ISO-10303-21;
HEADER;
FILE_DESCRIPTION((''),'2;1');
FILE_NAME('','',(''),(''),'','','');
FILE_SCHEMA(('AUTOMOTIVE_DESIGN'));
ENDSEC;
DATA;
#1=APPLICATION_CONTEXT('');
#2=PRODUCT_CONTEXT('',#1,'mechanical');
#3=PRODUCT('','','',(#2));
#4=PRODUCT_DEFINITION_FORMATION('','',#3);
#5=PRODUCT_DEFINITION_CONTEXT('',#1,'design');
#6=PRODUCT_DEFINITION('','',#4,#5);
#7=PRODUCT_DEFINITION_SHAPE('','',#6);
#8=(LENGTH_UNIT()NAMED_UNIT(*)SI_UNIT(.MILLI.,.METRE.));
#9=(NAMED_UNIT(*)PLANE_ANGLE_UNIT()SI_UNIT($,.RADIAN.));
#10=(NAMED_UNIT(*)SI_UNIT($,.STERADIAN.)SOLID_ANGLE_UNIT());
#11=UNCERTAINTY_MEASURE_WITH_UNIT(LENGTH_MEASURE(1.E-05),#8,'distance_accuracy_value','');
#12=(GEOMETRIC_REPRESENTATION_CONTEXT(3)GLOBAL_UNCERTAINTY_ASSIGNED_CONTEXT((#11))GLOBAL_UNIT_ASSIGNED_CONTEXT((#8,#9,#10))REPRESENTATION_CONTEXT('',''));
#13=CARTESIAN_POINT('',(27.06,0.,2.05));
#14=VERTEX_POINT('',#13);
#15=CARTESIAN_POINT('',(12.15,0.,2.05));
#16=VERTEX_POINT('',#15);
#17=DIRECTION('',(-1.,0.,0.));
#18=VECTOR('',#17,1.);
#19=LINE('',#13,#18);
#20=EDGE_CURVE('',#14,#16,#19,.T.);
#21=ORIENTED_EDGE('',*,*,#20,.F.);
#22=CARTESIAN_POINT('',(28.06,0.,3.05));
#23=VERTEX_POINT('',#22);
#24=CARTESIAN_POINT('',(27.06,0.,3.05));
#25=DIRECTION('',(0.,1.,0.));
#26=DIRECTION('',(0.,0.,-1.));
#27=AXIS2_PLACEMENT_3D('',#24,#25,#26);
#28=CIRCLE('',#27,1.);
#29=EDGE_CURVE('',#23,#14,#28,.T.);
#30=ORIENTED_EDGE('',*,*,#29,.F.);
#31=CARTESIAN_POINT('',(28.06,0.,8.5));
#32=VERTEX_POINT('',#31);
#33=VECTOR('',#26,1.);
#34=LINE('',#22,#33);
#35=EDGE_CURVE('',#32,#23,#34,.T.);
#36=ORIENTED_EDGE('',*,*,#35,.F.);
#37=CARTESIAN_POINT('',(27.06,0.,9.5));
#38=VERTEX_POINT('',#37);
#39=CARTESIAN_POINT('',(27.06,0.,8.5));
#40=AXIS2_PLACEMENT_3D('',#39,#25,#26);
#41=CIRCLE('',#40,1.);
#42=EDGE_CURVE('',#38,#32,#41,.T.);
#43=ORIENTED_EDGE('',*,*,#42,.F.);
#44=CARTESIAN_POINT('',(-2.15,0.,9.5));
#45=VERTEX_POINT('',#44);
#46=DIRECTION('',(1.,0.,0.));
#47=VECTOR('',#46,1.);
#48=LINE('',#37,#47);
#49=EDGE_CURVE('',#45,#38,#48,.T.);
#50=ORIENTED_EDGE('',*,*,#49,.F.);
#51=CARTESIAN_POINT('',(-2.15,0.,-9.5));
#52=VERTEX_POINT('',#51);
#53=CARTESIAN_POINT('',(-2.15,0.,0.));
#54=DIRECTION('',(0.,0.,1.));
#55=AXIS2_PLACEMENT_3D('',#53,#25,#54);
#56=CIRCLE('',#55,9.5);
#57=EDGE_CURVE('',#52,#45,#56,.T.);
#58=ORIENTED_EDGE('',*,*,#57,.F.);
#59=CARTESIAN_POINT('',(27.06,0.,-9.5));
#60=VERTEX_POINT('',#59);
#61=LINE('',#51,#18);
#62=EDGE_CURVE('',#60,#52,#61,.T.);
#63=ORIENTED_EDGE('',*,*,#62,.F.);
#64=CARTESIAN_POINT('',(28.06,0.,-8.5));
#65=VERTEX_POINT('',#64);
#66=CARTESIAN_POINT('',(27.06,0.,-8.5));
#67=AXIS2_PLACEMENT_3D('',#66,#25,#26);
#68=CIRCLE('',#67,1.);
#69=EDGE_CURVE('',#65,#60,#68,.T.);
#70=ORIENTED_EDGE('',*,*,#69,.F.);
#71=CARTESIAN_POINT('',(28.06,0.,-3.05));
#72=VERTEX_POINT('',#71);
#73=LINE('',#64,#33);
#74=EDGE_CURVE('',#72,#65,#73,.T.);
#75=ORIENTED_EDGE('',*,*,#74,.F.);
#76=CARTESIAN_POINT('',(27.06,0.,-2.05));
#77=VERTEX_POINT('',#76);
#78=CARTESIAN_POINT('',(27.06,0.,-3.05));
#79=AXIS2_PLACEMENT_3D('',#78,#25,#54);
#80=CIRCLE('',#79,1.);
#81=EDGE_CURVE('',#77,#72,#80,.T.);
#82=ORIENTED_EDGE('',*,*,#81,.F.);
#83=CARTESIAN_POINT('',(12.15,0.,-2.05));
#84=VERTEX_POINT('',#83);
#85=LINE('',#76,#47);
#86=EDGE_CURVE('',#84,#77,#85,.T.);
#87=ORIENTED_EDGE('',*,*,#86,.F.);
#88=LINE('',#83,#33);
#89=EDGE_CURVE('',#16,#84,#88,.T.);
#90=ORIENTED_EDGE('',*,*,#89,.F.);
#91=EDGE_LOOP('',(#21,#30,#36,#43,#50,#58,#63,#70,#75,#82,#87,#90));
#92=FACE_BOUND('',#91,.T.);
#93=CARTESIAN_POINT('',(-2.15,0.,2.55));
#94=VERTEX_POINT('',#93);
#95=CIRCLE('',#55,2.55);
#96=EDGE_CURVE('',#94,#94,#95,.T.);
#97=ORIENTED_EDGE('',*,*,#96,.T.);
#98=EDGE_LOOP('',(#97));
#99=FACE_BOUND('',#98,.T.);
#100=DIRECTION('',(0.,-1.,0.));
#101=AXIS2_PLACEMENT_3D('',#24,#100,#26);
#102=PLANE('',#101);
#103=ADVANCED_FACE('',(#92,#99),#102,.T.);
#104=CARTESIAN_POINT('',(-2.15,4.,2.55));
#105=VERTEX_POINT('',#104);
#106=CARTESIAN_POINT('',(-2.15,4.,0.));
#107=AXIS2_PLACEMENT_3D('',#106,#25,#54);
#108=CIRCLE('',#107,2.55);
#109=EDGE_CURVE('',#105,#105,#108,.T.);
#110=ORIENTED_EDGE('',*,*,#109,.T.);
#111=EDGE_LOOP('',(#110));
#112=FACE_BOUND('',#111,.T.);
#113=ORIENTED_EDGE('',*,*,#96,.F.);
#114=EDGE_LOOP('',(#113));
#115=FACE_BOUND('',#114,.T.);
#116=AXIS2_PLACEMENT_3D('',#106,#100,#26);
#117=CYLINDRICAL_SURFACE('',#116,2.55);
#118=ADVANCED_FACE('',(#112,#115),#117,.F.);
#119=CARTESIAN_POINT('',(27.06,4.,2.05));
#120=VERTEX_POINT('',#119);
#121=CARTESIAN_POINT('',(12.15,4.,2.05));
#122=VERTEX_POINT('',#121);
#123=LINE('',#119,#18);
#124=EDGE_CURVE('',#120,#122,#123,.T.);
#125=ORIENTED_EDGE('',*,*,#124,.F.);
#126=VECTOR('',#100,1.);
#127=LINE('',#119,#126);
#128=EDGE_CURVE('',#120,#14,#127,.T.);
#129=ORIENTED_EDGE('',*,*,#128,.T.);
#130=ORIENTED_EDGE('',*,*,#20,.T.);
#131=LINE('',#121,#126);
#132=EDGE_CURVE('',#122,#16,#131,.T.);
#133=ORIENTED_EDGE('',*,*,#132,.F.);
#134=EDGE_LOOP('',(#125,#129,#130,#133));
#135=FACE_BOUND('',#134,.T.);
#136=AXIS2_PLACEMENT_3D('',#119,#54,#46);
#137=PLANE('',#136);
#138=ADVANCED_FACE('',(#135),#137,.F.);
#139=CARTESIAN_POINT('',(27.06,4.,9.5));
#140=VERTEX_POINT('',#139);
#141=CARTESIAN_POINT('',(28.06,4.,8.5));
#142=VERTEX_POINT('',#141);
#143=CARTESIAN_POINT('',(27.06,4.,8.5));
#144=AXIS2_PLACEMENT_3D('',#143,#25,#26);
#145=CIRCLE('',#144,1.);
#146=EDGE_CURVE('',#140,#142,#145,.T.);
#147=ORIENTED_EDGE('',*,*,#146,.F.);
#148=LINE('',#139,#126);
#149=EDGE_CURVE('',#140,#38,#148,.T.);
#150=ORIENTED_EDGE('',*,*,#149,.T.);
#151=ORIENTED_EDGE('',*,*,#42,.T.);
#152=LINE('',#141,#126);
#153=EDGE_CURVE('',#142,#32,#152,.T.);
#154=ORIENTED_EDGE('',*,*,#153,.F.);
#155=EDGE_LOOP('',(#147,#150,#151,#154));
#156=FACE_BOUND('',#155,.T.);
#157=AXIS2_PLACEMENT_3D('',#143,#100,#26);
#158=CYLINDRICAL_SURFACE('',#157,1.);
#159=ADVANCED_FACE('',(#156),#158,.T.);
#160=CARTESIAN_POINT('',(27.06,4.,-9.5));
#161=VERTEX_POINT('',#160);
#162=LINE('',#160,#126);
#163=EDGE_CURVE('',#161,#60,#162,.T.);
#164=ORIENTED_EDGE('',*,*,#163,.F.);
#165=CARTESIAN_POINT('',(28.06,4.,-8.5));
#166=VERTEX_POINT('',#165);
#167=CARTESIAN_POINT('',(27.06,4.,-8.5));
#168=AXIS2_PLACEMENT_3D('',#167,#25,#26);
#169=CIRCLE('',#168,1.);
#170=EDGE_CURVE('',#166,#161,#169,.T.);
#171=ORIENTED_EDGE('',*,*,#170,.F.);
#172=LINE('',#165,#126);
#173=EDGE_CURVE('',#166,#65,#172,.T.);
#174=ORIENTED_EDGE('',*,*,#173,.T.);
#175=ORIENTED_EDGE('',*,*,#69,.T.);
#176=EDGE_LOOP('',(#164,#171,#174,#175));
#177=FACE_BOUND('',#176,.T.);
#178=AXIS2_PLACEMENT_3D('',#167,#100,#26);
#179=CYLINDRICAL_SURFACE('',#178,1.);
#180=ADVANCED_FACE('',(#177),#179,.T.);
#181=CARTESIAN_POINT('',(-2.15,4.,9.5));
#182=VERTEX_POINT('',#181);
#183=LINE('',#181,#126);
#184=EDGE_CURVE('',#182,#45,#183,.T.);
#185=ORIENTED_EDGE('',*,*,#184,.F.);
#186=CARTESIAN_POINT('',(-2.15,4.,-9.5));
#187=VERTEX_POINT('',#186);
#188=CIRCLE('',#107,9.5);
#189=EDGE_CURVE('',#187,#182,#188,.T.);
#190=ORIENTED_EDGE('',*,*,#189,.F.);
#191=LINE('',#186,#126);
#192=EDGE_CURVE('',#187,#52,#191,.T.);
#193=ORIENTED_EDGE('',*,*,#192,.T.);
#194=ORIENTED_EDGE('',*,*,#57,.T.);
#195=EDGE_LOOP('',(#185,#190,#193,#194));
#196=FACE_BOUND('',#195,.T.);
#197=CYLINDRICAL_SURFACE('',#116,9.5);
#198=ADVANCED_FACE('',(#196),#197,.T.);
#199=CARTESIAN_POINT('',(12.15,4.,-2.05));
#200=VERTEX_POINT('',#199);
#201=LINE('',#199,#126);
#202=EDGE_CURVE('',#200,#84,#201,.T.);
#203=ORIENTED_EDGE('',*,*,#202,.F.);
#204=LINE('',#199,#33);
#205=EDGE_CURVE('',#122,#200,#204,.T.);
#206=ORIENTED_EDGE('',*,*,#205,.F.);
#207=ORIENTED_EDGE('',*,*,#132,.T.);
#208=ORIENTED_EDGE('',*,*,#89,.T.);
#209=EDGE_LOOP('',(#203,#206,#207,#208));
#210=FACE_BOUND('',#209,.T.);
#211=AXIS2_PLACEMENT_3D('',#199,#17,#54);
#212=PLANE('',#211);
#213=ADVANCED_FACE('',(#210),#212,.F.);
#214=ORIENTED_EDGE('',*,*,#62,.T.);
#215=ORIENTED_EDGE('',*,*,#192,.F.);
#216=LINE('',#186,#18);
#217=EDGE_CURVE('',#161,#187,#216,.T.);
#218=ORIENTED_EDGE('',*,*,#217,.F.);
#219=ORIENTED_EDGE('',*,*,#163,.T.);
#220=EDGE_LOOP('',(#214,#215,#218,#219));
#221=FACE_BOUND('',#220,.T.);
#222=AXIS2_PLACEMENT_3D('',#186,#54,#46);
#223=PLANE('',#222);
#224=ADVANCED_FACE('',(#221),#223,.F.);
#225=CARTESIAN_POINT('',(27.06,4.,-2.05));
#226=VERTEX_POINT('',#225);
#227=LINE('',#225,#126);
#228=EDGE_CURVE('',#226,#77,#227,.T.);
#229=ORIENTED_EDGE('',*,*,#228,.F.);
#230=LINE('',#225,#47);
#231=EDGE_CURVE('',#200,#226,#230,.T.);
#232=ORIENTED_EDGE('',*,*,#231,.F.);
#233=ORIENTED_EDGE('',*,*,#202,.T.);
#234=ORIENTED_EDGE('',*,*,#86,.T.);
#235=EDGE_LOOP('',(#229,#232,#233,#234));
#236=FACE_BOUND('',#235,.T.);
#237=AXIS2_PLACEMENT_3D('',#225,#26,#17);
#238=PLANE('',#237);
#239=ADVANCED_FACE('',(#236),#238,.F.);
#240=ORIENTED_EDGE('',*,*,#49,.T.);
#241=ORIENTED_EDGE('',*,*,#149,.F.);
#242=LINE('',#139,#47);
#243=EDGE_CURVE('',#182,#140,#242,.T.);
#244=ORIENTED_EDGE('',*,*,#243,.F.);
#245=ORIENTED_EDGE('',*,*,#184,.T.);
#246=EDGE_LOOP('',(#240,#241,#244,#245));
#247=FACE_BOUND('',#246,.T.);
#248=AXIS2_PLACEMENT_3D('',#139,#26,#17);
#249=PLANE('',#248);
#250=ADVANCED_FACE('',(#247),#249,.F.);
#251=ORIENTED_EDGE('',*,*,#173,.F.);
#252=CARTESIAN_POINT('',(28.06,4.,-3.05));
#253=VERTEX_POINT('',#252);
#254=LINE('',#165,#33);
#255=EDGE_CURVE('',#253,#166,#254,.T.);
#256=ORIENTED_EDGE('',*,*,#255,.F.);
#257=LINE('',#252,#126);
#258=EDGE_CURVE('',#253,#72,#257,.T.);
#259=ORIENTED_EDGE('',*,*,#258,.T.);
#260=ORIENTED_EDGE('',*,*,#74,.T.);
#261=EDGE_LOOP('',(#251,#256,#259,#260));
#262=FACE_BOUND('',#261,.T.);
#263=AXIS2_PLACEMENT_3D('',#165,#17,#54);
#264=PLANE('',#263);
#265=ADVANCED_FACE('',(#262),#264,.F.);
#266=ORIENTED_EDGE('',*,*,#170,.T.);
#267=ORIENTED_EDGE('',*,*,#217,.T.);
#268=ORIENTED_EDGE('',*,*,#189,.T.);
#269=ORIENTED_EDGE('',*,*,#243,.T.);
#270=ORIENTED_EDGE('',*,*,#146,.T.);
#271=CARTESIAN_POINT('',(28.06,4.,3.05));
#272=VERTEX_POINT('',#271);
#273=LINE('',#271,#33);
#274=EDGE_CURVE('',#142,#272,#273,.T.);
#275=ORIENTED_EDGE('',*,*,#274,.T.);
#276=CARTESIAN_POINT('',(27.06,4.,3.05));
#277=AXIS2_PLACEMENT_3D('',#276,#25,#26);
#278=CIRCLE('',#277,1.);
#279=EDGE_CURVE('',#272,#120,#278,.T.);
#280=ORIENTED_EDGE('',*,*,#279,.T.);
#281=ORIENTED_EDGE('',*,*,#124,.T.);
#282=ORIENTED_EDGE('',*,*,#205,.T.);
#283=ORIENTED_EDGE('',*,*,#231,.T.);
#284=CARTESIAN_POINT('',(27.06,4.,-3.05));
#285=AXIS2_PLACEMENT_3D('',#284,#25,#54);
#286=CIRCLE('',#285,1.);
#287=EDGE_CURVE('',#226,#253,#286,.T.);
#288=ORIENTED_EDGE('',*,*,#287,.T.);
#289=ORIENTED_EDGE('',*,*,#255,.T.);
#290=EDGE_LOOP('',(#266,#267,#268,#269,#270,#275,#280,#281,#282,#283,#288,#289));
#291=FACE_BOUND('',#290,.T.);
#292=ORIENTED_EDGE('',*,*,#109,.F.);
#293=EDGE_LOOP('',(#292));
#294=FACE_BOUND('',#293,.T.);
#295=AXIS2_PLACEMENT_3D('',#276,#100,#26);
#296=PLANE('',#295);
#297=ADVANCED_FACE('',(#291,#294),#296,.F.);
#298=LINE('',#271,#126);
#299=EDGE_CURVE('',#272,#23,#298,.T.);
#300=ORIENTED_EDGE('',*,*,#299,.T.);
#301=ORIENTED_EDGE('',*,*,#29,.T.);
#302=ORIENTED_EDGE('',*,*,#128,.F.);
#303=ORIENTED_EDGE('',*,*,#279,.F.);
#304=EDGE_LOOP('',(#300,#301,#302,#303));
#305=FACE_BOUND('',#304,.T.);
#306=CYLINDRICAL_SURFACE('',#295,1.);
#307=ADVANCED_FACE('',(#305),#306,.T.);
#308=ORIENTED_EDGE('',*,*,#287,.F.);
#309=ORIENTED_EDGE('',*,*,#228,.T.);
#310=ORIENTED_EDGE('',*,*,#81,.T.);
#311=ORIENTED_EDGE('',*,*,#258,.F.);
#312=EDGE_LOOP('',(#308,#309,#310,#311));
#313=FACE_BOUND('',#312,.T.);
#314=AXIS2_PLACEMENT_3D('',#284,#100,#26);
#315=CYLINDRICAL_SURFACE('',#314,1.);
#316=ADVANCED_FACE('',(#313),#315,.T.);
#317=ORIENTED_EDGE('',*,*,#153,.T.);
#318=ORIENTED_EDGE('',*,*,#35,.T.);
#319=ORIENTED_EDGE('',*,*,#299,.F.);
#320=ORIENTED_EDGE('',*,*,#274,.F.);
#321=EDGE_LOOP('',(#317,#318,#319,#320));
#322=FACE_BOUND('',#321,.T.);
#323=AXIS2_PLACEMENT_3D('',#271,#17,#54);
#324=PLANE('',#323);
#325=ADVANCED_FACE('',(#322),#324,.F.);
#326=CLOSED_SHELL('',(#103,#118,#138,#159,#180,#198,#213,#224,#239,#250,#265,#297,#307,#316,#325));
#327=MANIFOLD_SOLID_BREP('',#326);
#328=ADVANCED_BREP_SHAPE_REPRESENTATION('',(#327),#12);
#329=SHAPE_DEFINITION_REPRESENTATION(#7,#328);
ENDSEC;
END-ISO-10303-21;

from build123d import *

# Parameters (mm, degrees)
SKETCH1_R           = 2.55
BOSS_EXTRUDE1_DEPTH = 4


with BuildPart() as part:
    # Sketch1 → Boss-Extrude1 (new body)
    with BuildSketch(Plane(origin=(0, 0, 0), x_dir=(1, 0, 0), z_dir=(0, 1, 0))):
        with BuildLine():
            Line((27.06, 2.05), (12.15, 2.05))
            Line((12.15, 2.05), (12.15, -2.05))
            Line((12.15, -2.05), (27.06, -2.05))
            ThreePointArc((27.06, -2.05), (27.767106781, -2.342893219), (28.06, -3.05))
            Line((28.06, -3.05), (28.06, -8.5))
            ThreePointArc((28.06, -8.5), (27.767106781, -9.207106781), (27.06, -9.5))
            Line((27.06, -9.5), (-2.15, -9.5))
            ThreePointArc((-2.15, -9.5), (-11.65, 0), (-2.15, 9.5))
            Line((-2.15, 9.5), (27.06, 9.5))
            ThreePointArc((27.06, 9.5), (27.767106781, 9.207106781), (28.06, 8.5))
            Line((28.06, 8.5), (28.06, 3.05))
            ThreePointArc((28.06, 3.05), (27.767106781, 2.342893219), (27.06, 2.05))
        make_face()
        with Locations(Location((-2.15, 0, 0), (0, 0, 270))):
            Circle(SKETCH1_R, mode=Mode.SUBTRACT)
    extrude(amount=BOSS_EXTRUDE1_DEPTH)


solid = part.part
